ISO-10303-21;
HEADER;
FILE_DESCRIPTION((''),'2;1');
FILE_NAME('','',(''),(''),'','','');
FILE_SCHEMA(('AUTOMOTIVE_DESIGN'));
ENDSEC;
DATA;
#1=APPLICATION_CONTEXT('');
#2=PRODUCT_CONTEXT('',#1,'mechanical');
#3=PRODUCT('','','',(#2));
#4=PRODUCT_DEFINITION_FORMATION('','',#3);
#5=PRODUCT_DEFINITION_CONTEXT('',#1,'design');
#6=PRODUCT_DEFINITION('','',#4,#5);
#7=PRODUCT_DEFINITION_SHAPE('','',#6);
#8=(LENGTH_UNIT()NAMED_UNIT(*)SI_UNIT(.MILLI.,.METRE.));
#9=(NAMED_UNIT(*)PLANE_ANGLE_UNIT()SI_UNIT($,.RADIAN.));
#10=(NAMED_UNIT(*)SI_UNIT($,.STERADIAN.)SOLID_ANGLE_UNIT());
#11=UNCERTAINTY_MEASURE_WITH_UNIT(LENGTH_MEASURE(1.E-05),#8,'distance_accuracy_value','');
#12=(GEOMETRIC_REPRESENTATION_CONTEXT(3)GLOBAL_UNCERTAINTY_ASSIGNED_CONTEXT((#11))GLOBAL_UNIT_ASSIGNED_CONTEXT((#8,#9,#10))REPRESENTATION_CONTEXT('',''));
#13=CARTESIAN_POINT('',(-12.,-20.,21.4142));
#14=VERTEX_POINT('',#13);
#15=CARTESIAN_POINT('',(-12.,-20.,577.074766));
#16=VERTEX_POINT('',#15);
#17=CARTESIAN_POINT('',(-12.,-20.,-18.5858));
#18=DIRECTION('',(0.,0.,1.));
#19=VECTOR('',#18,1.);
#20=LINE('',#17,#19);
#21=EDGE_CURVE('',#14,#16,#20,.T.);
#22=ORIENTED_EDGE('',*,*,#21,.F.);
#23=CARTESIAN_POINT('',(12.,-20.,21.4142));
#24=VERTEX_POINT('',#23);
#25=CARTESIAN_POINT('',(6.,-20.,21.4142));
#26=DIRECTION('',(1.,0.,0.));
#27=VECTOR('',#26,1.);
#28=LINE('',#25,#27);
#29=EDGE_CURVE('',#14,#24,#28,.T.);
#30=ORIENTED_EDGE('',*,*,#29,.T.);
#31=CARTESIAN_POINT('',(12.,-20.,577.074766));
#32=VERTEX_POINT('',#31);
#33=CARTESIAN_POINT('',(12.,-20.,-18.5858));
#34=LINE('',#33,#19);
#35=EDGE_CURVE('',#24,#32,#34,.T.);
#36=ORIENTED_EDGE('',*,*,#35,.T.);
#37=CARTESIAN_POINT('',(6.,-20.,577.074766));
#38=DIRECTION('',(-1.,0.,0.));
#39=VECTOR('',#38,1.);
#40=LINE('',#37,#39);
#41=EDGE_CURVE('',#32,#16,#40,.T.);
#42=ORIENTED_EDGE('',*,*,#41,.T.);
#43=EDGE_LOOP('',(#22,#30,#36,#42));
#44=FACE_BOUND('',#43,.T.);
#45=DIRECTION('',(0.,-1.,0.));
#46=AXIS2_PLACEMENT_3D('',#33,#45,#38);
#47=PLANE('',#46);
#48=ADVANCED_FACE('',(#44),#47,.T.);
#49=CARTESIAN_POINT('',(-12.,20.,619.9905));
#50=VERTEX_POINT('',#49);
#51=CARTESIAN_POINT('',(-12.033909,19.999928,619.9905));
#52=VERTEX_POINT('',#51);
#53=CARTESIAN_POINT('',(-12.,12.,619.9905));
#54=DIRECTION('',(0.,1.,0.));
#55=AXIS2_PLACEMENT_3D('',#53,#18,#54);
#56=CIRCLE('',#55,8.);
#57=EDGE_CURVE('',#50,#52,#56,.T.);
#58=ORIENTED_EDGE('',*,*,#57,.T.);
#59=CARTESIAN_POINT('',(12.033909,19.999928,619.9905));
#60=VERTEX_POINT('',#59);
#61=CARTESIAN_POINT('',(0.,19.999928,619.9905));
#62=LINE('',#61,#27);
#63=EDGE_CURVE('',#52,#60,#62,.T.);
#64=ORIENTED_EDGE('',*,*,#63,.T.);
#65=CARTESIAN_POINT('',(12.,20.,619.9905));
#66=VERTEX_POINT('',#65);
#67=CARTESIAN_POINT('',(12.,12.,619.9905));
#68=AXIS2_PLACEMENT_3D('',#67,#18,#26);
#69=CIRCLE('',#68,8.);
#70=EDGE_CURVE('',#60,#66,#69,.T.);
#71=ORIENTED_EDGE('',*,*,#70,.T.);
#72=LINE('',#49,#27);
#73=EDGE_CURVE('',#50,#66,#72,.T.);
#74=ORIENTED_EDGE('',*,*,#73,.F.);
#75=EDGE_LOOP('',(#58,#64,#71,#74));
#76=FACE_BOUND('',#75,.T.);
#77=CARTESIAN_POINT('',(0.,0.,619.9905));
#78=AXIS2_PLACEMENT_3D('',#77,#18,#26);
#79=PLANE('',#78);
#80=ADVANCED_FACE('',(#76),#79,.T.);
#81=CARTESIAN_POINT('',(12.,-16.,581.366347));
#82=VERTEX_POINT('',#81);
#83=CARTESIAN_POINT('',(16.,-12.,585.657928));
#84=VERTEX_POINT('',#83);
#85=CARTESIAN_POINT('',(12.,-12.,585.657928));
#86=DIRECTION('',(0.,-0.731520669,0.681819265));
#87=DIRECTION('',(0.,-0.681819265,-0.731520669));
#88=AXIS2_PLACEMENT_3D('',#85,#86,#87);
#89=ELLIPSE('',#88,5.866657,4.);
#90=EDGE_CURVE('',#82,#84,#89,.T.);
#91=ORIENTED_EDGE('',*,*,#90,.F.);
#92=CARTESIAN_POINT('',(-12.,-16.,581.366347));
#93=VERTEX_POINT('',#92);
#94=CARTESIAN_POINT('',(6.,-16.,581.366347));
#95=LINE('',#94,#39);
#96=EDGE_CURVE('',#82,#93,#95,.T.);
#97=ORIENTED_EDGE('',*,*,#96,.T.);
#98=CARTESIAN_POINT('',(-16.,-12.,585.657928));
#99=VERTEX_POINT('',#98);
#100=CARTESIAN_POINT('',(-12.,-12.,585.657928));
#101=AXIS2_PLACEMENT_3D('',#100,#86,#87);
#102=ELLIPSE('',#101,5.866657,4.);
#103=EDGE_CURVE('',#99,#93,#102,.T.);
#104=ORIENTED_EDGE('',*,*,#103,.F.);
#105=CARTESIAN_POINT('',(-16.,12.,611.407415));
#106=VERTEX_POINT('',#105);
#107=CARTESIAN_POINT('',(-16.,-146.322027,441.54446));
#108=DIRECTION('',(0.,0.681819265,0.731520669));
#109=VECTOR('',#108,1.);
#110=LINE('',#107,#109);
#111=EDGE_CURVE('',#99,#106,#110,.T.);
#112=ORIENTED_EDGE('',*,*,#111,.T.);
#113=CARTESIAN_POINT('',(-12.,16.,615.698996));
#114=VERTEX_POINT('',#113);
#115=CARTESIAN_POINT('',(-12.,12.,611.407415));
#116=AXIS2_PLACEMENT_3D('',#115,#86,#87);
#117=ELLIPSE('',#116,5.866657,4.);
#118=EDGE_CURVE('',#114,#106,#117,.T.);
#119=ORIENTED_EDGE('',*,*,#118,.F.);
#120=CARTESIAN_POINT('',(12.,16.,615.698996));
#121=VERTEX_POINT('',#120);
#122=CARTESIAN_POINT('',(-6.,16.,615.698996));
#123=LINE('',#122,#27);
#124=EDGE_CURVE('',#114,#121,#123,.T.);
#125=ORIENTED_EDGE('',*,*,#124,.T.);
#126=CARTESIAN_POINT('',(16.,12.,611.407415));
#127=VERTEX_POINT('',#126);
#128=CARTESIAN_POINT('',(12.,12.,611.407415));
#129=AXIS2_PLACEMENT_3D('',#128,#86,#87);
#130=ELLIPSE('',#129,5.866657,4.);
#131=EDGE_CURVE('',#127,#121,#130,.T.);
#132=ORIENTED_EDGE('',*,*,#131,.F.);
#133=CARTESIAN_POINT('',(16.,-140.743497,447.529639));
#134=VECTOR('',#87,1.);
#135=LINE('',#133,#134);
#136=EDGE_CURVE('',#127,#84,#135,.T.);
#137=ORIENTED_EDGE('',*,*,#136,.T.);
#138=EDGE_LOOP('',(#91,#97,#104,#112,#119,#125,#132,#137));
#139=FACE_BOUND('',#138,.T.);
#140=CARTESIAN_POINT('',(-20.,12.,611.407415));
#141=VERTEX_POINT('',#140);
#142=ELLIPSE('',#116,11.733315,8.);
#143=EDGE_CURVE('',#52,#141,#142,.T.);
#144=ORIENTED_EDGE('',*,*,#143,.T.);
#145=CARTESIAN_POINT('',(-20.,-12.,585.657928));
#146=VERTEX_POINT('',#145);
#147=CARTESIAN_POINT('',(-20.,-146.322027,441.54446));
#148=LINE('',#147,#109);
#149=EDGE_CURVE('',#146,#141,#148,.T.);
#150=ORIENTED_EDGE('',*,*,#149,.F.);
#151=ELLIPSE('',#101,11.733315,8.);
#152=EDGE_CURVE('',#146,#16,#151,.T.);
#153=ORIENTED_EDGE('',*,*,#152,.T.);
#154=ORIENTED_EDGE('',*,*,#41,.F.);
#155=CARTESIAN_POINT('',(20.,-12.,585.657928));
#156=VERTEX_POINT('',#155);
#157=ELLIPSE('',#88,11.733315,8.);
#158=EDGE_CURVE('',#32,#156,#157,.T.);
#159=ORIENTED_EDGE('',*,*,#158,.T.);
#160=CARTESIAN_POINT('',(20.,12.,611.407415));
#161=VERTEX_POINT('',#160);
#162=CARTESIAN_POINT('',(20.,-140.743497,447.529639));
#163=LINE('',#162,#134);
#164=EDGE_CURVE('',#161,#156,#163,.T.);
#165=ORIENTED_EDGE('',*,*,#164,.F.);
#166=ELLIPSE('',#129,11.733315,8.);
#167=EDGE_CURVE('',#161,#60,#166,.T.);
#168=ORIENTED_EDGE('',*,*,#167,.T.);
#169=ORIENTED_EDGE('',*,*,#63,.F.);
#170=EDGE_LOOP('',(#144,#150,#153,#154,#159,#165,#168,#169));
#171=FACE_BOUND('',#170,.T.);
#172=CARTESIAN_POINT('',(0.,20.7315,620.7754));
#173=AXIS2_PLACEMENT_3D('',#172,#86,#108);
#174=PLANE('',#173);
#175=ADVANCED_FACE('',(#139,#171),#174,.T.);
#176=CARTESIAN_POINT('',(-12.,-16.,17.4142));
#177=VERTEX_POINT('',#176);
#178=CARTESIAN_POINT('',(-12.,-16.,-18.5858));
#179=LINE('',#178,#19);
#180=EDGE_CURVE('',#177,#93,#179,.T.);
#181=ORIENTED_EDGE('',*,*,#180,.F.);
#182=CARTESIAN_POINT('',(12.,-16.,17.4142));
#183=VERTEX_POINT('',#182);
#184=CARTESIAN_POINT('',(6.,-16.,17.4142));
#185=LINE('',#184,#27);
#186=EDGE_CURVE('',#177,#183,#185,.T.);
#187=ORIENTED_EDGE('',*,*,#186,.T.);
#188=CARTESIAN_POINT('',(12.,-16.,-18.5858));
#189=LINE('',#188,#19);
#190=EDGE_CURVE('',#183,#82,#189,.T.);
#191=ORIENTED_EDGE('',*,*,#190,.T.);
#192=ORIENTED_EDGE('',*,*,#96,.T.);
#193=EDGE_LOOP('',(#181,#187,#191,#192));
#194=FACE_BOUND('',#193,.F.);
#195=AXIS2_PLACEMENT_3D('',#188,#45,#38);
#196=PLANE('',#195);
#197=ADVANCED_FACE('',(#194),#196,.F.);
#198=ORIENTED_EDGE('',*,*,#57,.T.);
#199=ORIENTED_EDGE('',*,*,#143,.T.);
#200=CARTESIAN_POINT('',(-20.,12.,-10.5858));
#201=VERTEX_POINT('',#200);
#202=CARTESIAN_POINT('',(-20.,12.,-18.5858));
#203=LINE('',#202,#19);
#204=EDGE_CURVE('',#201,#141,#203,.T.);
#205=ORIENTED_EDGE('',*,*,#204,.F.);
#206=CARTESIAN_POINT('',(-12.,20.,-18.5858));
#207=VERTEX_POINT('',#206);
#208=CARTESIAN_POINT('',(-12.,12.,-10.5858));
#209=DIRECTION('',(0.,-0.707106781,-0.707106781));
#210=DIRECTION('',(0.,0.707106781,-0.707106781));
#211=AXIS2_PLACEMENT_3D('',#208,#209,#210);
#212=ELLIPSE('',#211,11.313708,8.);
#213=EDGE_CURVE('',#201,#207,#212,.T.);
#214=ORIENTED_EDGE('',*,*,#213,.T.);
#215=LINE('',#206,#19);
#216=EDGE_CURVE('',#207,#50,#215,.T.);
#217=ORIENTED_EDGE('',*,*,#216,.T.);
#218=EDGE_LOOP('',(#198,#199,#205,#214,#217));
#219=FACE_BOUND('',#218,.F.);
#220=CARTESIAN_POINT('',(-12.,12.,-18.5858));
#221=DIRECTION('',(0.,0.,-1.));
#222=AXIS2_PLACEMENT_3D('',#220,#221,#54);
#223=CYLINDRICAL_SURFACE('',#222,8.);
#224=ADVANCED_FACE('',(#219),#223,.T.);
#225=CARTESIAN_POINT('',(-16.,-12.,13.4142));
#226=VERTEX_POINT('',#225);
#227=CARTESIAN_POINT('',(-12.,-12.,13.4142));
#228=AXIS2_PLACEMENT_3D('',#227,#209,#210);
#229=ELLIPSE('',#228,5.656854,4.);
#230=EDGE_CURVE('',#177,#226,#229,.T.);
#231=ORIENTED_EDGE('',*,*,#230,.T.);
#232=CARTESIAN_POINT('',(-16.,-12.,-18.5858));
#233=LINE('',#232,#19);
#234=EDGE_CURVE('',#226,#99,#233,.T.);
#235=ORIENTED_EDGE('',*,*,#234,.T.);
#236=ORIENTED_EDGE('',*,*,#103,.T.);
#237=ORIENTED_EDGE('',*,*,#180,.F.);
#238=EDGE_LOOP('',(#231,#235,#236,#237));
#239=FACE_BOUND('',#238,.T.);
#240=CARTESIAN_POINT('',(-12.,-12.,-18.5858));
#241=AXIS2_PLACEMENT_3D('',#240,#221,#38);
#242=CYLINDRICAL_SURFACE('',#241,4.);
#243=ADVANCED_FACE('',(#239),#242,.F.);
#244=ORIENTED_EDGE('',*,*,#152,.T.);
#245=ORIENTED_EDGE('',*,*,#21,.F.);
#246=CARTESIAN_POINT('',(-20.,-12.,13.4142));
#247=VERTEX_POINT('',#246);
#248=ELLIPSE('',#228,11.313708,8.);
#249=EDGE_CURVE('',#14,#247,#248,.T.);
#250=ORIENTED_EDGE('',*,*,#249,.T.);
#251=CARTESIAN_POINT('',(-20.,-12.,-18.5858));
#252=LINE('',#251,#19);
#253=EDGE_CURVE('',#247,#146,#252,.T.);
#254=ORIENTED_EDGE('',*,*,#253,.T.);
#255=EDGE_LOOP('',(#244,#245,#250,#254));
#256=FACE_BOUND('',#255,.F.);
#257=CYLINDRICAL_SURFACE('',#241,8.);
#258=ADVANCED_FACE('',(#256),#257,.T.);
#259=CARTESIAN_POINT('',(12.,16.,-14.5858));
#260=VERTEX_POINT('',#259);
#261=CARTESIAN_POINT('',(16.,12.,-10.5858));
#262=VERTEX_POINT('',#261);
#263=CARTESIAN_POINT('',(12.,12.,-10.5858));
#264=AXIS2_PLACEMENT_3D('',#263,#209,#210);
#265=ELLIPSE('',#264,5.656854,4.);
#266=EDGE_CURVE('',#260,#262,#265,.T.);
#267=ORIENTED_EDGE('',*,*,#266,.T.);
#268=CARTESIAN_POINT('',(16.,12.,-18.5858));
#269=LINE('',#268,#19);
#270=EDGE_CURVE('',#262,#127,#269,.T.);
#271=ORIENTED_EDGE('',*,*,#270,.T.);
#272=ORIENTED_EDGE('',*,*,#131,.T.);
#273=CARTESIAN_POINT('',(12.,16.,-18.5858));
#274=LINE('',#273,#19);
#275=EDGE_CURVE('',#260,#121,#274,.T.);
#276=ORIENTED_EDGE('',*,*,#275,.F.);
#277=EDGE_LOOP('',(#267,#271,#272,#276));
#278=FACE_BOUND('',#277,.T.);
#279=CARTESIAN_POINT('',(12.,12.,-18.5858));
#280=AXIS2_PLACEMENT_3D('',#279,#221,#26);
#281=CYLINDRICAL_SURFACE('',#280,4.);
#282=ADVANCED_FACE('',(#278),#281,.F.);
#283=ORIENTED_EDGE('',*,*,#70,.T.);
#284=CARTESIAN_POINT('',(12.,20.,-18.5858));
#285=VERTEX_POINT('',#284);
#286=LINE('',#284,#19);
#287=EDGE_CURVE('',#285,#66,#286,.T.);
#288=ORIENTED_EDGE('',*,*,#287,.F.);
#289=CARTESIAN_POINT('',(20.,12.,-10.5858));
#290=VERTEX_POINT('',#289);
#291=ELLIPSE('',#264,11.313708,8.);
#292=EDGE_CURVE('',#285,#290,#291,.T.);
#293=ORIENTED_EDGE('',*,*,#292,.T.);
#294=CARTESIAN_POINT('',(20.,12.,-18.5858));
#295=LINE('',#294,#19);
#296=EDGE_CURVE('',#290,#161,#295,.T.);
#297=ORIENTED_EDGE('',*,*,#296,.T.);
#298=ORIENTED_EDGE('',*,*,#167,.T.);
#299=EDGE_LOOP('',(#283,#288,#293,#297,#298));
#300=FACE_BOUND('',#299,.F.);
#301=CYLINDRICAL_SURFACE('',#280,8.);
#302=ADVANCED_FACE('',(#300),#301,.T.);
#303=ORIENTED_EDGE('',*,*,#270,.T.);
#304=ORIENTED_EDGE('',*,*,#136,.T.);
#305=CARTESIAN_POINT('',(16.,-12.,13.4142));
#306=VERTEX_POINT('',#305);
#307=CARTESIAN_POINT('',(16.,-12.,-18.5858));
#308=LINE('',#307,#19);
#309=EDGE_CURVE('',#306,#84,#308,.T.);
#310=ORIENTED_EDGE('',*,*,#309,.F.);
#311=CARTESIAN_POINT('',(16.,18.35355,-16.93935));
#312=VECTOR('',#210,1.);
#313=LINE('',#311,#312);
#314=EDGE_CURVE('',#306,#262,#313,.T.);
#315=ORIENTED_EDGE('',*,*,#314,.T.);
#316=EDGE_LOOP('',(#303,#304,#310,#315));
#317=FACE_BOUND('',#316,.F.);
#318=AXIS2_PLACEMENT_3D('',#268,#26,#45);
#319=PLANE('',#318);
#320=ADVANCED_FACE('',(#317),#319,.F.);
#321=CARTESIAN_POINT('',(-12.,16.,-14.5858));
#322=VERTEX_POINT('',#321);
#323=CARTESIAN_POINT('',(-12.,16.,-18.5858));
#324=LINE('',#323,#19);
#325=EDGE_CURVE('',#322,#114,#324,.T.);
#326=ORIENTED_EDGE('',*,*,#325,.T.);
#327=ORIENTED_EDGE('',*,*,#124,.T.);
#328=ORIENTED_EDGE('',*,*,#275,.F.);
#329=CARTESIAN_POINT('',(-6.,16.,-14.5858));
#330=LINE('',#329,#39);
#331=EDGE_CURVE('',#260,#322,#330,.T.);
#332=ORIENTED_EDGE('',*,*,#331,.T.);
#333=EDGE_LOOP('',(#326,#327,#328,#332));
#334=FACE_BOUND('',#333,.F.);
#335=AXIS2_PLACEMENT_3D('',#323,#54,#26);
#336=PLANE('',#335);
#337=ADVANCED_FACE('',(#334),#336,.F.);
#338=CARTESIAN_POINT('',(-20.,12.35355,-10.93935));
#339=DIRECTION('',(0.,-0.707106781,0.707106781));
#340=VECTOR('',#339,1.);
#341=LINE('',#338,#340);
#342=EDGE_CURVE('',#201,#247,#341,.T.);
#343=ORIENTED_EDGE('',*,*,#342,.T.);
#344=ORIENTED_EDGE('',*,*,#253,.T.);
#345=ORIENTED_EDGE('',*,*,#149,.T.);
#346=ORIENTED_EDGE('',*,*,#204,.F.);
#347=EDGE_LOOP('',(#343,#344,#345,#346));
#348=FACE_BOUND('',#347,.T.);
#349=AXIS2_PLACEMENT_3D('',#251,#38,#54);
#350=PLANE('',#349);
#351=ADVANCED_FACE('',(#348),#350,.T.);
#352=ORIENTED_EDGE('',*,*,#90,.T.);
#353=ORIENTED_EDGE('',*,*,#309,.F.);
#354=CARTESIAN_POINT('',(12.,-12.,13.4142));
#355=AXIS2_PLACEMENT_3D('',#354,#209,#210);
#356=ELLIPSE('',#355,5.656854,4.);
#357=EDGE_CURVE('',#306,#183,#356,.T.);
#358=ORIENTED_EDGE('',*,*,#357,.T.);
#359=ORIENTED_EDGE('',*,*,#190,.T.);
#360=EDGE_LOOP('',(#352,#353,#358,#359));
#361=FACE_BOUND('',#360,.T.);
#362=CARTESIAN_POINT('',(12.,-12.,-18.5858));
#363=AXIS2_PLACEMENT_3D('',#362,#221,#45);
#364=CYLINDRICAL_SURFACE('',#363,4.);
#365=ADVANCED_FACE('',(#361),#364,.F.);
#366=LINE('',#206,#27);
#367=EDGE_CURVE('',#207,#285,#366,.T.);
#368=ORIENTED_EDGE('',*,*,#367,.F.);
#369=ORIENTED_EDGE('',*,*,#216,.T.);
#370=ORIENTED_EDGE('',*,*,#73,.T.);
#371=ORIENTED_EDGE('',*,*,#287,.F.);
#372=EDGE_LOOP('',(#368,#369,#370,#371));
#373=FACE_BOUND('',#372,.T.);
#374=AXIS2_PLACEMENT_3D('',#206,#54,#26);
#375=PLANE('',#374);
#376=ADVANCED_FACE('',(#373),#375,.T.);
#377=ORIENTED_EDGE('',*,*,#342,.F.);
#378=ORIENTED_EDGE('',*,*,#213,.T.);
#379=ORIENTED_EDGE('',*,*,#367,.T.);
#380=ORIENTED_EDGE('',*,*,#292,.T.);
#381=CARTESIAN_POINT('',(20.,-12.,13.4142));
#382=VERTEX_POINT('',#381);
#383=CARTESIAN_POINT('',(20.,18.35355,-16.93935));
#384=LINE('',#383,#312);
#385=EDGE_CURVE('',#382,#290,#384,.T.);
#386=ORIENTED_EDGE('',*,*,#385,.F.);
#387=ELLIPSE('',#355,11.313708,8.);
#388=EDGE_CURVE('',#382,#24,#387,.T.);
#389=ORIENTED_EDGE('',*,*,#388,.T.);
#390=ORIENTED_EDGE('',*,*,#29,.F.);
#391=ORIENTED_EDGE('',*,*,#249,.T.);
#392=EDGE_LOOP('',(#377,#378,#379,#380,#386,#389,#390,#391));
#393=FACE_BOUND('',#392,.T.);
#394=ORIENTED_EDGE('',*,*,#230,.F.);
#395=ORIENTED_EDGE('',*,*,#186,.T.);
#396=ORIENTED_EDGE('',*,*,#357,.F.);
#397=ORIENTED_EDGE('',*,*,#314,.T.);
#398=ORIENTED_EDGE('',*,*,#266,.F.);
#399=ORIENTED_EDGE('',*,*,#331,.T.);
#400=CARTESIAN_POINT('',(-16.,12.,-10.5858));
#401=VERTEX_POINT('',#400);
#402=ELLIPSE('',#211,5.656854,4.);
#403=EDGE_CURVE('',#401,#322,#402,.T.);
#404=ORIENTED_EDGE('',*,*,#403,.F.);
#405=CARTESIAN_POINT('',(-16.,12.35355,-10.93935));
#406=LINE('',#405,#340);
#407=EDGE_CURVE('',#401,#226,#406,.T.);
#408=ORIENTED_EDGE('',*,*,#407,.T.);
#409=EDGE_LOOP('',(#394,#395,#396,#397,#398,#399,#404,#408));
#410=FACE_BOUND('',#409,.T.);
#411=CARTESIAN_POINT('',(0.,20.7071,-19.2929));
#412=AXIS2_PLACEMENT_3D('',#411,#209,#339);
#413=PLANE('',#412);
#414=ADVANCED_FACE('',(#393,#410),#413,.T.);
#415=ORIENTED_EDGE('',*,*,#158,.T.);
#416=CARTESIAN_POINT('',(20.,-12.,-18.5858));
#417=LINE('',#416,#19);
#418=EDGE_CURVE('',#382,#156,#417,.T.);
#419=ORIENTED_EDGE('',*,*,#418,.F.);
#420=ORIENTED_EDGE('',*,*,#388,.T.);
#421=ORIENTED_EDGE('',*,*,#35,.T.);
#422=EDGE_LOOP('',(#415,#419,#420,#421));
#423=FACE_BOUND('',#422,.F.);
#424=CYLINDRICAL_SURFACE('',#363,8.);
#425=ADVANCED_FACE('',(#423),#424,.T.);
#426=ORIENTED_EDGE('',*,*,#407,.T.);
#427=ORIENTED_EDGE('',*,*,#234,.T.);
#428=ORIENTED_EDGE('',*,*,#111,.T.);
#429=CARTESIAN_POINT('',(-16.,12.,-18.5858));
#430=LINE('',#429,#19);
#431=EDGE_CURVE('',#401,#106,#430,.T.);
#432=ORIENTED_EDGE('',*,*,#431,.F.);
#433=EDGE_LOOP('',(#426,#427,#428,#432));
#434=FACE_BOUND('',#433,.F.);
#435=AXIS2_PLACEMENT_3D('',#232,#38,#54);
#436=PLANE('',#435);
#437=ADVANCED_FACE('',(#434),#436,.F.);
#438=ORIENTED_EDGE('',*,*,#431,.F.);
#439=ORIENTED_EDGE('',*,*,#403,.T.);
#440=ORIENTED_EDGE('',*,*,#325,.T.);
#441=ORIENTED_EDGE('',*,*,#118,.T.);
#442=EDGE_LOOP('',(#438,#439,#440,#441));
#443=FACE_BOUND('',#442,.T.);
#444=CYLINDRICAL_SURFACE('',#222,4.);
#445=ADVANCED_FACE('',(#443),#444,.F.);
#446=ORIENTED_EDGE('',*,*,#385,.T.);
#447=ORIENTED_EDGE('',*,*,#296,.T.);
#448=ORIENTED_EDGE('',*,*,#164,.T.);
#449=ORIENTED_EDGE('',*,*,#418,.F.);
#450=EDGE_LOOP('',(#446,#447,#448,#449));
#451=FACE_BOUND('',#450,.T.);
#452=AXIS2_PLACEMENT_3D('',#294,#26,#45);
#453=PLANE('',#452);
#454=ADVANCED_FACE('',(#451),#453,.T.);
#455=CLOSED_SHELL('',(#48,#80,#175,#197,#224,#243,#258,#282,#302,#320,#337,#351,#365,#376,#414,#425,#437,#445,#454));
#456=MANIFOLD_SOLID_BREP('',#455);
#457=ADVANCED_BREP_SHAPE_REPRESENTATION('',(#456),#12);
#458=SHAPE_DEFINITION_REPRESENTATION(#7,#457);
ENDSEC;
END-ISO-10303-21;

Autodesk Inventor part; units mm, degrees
ref_plane "Start Plane" through (0, 0, -18.5858) normal (0, 0, 1) x (1, 0, 0)
ref_plane "End Plane" through (0, 0, 619.9905) normal (0, 0, 1) x (1, 0, 0)
sketch "Sketch" plane through (0, 0, 0) normal (0, 0, 1) x (1, 0, 0)
  line L0 (-20, -12) -> (-20, 12)
  line L1 (-12, 20) -> (12, 20)
  line L2 (20, 12) -> (20, -12)
  line L3 (12, -20) -> (-12, -20)
  arc A0 (-20, -12) -> (-12, -20) centre (-12, -12) ccw
  arc A1 (20, 12) -> (12, 20) centre (12, 12) ccw
  arc A2 (-12, 20) -> (-20, 12) centre (-12, 12) ccw
  arc A3 (12, -20) -> (20, -12) centre (12, -12) ccw
  arc A4 (-12, 16) -> (-16, 12) centre (-12, 12) ccw
  line L4 (-12, 16) -> (12, 16)
  arc A5 (16, 12) -> (12, 16) centre (12, 12) ccw
  line L5 (16, 12) -> (16, -12)
  arc A6 (12, -16) -> (16, -12) centre (12, -12) ccw
  line L6 (12, -16) -> (-12, -16)
  arc A7 (-16, -12) -> (-12, -16) centre (-12, -12) ccw
  line L7 (-16, -12) -> (-16, 12)
  line L8 (0, 30.3196) -> (0, -30.3196) construction
  line L9 (-30.3196, 0) -> (30.3196, 0) construction
  dimension "d7" = 8
  dimension "d9" = 40
  dimension "d11" = 40
  dimension "d12" = 4
  dimension "d15" = 20
  dimension "d16" = 20
extrude "Body" add sketch "Sketch" along normal up to surface (638.5763 mm away) from surface at -18.5858
sketch "Sketch3" plane through (0, 0, 0) normal (0, 0, 1) x (1, 0, 0)
  line L0 (0, 0) -> (10, 0)
ref_plane "Work Plane3" through (0, 0, 0) normal (0, -1, 0) x (1, 0, 0)
ref_plane "Work Plane4" through (0, 20.7315, 620.7754) normal (0, -0.7315, 0.6818) x (1, 0, 0)
split "Split1" plane through (0, 20.7315, 620.7754) removes the side toward (0, -0.7315, 0.6818)
ref_plane "Work Plane5" through (0, 20.7071, -19.2929) normal (0, -0.7071, -0.7071) x (1, 0, 0)
split "Split2" plane through (0, 20.7071, -19.2929) removes the side toward (0, -0.7071, -0.7071)
sketch "Sketch4" plane through (0, 0, 0) normal (0, -1, 0) x (1, 0, 0)
  line L0 (-2, -18.5858) -> (12, -18.5858) projected
  line L1 (-2, 619.9905) -> (12, 619.9905) projected
  dimension "d18" = 638.5763
equation "\"d7\" = G_IR"
equation "\"d9\" = G_W"
equation "\"d11\" = G_H"
equation "\"d12\" = G_T"
equation "\"d15\" = 0.5 * d9"
equation "\"d16\" = 0.5 * d11"
equation "\"d3\" = G_L"
equation "\"G_W\" = 40"
equation "\"G_H\" = 40"
equation "\"G_T\" = 4"
equation "\"G_IR\" = 8"
equation "\"G_L\" = d18"
equation "\"G_OFFSET_START\" = 18.58579"
equation "\"G_OFFSET_END\" = 19.99054"
equation "\"d13\" = -G_OFFSET_START"
equation "\"d14\" = G_OFFSET_END + B_L"
equation "\"B_L\" = 600"
properties part number "ISO 10799-2 - 40x40x4 - 638,58" material "Steel, Mild"
